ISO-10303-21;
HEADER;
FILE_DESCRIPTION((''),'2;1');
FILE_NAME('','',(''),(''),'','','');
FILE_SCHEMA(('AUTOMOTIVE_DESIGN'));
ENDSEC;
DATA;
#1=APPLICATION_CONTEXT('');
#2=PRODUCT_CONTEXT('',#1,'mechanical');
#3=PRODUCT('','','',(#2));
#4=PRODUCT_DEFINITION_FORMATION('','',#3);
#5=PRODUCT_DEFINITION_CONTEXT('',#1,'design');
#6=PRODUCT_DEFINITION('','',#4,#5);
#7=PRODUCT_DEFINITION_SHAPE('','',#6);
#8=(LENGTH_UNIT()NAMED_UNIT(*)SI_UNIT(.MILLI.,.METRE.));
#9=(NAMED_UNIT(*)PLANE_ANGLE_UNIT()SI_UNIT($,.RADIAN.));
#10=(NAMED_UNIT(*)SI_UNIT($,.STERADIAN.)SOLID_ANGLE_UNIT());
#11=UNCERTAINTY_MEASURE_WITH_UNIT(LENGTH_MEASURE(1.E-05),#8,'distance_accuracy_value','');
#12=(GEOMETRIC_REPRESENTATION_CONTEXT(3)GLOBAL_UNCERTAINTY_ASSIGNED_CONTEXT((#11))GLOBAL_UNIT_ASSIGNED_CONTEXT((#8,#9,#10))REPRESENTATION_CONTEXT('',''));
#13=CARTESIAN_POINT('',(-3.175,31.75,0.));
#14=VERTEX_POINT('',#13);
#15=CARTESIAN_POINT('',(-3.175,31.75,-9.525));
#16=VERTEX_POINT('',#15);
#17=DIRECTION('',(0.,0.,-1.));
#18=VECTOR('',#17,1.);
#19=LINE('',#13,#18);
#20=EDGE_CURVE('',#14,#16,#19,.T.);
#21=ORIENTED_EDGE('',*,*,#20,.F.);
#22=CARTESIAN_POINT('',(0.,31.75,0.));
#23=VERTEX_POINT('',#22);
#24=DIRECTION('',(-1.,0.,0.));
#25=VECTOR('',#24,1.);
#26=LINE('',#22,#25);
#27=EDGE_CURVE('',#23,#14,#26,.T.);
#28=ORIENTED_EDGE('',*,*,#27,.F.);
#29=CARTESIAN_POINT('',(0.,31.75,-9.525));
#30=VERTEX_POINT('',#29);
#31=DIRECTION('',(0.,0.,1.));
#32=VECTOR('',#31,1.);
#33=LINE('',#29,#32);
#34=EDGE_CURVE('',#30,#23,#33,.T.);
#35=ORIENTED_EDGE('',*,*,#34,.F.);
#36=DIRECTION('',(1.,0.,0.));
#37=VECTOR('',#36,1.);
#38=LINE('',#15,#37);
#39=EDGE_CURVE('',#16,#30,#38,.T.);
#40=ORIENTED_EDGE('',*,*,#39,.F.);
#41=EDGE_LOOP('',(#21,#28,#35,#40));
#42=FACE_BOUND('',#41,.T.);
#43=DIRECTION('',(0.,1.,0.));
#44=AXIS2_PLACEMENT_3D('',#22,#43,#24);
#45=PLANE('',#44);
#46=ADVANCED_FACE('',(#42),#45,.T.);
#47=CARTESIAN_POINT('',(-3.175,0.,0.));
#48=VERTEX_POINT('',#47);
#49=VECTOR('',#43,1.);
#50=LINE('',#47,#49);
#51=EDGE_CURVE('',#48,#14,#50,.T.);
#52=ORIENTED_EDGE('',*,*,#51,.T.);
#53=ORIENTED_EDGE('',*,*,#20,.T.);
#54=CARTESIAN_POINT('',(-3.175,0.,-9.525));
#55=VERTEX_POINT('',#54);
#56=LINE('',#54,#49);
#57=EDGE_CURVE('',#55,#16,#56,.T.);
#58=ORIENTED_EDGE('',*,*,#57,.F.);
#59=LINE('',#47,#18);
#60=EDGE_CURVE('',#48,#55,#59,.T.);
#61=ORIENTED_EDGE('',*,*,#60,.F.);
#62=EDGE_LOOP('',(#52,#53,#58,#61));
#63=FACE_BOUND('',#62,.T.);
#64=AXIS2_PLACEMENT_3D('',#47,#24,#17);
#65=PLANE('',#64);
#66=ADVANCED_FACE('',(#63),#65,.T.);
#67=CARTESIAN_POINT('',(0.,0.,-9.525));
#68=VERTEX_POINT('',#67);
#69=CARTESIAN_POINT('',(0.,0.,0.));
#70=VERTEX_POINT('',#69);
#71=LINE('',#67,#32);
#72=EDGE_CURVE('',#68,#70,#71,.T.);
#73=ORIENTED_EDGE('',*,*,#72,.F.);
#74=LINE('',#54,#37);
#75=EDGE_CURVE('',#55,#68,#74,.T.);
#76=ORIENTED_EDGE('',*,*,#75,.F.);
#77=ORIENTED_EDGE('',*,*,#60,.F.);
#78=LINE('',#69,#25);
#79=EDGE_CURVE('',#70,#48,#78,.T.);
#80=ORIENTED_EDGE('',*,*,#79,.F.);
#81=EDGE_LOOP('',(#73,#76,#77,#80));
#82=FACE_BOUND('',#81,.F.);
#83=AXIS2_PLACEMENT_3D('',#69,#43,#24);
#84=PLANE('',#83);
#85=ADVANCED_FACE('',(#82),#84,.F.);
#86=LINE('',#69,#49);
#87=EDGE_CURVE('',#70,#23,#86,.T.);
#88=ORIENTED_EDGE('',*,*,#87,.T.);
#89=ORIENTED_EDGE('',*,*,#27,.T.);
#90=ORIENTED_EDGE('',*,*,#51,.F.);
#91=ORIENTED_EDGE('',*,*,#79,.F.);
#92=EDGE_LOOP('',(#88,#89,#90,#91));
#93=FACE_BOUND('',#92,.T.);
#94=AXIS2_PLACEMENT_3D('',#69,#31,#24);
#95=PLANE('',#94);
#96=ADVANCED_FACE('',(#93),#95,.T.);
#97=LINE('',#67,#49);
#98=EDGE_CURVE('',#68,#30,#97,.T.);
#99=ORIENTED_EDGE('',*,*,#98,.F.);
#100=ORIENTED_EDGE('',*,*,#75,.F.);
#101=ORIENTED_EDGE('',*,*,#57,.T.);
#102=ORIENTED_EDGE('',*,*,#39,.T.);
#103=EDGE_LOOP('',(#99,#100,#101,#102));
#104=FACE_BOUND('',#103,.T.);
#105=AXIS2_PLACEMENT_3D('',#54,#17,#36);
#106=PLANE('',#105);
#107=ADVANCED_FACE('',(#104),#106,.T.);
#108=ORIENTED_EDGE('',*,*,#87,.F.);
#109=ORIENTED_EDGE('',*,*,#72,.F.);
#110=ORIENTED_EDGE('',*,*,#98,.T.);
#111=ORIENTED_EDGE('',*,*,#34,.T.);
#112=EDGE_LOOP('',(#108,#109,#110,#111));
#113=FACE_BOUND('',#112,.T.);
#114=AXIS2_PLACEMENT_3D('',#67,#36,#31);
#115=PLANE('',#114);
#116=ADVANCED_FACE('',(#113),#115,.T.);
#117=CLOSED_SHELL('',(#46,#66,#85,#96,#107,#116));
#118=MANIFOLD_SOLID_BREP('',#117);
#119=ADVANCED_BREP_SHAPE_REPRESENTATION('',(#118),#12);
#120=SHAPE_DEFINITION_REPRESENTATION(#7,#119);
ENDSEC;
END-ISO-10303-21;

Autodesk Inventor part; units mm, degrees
ref_plane "YZ Plane" through (0, 0, 0) normal (1, 0, 0) x (0, 1, 0)
ref_plane "XZ Plane" through (0, 0, 0) normal (0, 1, 0) x (-1, 0, 0)
ref_plane "XY Plane" through (0, 0, 0) normal (0, 0, 1) x (1, 0, 0)
sketch "Sketch1" plane through (0, 0, 0) normal (0, 1, 0) x (-1, 0, 0)
  line L0 (0, 0) -> (3.175, 0)
  line L1 (3.175, 0) -> (3.175, -9.525)
  line L2 (3.175, -9.525) -> (0, -9.525)
  line L3 (0, -9.525) -> (0, 0)
  dimension "d0" = 3.175
  dimension "d1" = 9.525
extrude "Extrusion1" add sketch "Sketch1" along normal blind 31.75
properties part number "Projectile Launcher Partial Popsicle Stick" material "Wood (Birch)"
